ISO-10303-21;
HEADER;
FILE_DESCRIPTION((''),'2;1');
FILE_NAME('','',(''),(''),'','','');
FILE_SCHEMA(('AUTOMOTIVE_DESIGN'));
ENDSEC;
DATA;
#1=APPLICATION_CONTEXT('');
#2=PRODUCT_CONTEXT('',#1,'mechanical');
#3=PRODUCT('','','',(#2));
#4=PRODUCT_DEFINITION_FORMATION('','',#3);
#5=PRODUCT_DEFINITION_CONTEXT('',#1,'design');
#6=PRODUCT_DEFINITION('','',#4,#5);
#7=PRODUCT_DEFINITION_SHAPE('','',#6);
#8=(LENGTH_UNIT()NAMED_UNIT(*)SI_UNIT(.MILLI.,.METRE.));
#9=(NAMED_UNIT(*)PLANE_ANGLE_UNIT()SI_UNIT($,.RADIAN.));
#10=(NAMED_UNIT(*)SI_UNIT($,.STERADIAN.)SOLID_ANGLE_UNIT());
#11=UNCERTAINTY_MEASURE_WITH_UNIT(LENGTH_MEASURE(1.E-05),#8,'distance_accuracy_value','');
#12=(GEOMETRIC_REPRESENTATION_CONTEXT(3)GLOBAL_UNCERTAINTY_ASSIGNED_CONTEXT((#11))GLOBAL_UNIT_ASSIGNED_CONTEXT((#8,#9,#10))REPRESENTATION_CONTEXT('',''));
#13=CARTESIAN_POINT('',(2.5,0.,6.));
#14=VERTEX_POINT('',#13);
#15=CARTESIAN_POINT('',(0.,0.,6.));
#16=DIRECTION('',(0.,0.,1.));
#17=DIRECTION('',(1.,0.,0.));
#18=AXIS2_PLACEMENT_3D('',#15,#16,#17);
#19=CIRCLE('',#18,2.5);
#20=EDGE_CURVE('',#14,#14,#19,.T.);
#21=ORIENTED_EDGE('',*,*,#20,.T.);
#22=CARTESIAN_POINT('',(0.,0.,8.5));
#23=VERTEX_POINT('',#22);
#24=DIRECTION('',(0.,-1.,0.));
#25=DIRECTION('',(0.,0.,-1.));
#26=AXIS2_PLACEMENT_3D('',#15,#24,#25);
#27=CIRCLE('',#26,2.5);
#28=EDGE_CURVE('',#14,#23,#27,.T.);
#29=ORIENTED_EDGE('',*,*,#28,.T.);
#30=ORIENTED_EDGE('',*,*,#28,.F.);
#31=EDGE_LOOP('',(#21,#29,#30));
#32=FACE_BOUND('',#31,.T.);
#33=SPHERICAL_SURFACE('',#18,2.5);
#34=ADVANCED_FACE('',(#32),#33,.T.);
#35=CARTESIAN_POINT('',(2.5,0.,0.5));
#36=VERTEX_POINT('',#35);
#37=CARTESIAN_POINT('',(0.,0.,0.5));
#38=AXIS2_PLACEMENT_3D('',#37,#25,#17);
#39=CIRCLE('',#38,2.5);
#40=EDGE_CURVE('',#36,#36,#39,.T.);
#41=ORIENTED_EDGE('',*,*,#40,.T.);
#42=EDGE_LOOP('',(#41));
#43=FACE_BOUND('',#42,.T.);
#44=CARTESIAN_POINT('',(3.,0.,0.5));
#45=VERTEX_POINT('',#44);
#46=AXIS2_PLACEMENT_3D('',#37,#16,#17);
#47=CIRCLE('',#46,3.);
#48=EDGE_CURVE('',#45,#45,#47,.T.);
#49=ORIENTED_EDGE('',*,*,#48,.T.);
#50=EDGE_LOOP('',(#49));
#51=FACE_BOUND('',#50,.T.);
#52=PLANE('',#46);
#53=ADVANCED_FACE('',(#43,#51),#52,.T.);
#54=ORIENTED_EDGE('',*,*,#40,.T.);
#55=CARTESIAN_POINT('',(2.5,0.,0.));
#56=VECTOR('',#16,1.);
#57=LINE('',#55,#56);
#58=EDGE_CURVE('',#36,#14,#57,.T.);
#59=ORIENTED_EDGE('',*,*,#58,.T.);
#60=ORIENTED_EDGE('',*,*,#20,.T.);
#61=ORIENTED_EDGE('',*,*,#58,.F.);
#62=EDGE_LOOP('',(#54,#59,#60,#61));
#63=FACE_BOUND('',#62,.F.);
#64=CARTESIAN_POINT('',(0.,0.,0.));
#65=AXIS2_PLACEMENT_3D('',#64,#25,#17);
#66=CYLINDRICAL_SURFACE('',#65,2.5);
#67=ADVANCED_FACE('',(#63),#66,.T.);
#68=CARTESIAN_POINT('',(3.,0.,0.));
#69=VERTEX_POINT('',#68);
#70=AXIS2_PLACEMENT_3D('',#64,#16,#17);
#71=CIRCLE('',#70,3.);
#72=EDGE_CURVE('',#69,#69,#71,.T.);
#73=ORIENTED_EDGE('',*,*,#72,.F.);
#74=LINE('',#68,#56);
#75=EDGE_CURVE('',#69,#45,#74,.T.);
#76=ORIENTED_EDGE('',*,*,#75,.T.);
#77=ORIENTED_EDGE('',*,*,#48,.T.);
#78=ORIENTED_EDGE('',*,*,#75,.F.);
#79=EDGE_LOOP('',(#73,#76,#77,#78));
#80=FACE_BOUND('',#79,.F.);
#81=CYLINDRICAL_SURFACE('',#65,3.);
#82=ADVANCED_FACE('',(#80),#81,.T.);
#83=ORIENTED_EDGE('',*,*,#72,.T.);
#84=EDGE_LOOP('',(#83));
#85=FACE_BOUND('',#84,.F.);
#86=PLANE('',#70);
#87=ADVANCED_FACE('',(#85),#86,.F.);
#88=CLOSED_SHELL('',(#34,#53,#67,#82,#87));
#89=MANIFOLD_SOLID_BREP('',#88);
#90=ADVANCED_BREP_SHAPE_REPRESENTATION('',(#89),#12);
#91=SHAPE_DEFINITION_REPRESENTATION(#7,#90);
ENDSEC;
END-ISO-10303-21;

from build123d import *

# Parameters (mm, degrees)
CYLINDER001_R     = 3
CYLINDER001_DEPTH = 0.5
CYLINDER_R        = 2.5
CYLINDER_DEPTH    = 6


with BuildPart() as sphere:
    # Sphere → Sphere (revolve)
    with BuildSketch(Plane(origin=(0, 0, 6), x_dir=(1, 0, 0), z_dir=(0, -1, 0))):
        with BuildLine():
            ThreePointArc((0, -2.5), (2.5, 0), (0, 2.5))
            Line((0, 2.5), (0, -2.5))
        make_face()
    revolve(axis=Axis((0, 0, 6), (0, 0, 1)))


with BuildPart() as cylinder001:
    # Cylinder001 → Cylinder001 (new body)
    with BuildSketch(Plane.XY):
        Circle(CYLINDER001_R)
    extrude(amount=CYLINDER001_DEPTH)


with BuildPart() as led_5mm:
    # Cylinder → Cylinder (new body)
    with BuildSketch(Plane.XY):
        Circle(CYLINDER_R)
    extrude(amount=CYLINDER_DEPTH)

    # Fusion: union Sphere, Cylinder001
    add(sphere.part)
    add(cylinder001.part)


solid = led_5mm.part
